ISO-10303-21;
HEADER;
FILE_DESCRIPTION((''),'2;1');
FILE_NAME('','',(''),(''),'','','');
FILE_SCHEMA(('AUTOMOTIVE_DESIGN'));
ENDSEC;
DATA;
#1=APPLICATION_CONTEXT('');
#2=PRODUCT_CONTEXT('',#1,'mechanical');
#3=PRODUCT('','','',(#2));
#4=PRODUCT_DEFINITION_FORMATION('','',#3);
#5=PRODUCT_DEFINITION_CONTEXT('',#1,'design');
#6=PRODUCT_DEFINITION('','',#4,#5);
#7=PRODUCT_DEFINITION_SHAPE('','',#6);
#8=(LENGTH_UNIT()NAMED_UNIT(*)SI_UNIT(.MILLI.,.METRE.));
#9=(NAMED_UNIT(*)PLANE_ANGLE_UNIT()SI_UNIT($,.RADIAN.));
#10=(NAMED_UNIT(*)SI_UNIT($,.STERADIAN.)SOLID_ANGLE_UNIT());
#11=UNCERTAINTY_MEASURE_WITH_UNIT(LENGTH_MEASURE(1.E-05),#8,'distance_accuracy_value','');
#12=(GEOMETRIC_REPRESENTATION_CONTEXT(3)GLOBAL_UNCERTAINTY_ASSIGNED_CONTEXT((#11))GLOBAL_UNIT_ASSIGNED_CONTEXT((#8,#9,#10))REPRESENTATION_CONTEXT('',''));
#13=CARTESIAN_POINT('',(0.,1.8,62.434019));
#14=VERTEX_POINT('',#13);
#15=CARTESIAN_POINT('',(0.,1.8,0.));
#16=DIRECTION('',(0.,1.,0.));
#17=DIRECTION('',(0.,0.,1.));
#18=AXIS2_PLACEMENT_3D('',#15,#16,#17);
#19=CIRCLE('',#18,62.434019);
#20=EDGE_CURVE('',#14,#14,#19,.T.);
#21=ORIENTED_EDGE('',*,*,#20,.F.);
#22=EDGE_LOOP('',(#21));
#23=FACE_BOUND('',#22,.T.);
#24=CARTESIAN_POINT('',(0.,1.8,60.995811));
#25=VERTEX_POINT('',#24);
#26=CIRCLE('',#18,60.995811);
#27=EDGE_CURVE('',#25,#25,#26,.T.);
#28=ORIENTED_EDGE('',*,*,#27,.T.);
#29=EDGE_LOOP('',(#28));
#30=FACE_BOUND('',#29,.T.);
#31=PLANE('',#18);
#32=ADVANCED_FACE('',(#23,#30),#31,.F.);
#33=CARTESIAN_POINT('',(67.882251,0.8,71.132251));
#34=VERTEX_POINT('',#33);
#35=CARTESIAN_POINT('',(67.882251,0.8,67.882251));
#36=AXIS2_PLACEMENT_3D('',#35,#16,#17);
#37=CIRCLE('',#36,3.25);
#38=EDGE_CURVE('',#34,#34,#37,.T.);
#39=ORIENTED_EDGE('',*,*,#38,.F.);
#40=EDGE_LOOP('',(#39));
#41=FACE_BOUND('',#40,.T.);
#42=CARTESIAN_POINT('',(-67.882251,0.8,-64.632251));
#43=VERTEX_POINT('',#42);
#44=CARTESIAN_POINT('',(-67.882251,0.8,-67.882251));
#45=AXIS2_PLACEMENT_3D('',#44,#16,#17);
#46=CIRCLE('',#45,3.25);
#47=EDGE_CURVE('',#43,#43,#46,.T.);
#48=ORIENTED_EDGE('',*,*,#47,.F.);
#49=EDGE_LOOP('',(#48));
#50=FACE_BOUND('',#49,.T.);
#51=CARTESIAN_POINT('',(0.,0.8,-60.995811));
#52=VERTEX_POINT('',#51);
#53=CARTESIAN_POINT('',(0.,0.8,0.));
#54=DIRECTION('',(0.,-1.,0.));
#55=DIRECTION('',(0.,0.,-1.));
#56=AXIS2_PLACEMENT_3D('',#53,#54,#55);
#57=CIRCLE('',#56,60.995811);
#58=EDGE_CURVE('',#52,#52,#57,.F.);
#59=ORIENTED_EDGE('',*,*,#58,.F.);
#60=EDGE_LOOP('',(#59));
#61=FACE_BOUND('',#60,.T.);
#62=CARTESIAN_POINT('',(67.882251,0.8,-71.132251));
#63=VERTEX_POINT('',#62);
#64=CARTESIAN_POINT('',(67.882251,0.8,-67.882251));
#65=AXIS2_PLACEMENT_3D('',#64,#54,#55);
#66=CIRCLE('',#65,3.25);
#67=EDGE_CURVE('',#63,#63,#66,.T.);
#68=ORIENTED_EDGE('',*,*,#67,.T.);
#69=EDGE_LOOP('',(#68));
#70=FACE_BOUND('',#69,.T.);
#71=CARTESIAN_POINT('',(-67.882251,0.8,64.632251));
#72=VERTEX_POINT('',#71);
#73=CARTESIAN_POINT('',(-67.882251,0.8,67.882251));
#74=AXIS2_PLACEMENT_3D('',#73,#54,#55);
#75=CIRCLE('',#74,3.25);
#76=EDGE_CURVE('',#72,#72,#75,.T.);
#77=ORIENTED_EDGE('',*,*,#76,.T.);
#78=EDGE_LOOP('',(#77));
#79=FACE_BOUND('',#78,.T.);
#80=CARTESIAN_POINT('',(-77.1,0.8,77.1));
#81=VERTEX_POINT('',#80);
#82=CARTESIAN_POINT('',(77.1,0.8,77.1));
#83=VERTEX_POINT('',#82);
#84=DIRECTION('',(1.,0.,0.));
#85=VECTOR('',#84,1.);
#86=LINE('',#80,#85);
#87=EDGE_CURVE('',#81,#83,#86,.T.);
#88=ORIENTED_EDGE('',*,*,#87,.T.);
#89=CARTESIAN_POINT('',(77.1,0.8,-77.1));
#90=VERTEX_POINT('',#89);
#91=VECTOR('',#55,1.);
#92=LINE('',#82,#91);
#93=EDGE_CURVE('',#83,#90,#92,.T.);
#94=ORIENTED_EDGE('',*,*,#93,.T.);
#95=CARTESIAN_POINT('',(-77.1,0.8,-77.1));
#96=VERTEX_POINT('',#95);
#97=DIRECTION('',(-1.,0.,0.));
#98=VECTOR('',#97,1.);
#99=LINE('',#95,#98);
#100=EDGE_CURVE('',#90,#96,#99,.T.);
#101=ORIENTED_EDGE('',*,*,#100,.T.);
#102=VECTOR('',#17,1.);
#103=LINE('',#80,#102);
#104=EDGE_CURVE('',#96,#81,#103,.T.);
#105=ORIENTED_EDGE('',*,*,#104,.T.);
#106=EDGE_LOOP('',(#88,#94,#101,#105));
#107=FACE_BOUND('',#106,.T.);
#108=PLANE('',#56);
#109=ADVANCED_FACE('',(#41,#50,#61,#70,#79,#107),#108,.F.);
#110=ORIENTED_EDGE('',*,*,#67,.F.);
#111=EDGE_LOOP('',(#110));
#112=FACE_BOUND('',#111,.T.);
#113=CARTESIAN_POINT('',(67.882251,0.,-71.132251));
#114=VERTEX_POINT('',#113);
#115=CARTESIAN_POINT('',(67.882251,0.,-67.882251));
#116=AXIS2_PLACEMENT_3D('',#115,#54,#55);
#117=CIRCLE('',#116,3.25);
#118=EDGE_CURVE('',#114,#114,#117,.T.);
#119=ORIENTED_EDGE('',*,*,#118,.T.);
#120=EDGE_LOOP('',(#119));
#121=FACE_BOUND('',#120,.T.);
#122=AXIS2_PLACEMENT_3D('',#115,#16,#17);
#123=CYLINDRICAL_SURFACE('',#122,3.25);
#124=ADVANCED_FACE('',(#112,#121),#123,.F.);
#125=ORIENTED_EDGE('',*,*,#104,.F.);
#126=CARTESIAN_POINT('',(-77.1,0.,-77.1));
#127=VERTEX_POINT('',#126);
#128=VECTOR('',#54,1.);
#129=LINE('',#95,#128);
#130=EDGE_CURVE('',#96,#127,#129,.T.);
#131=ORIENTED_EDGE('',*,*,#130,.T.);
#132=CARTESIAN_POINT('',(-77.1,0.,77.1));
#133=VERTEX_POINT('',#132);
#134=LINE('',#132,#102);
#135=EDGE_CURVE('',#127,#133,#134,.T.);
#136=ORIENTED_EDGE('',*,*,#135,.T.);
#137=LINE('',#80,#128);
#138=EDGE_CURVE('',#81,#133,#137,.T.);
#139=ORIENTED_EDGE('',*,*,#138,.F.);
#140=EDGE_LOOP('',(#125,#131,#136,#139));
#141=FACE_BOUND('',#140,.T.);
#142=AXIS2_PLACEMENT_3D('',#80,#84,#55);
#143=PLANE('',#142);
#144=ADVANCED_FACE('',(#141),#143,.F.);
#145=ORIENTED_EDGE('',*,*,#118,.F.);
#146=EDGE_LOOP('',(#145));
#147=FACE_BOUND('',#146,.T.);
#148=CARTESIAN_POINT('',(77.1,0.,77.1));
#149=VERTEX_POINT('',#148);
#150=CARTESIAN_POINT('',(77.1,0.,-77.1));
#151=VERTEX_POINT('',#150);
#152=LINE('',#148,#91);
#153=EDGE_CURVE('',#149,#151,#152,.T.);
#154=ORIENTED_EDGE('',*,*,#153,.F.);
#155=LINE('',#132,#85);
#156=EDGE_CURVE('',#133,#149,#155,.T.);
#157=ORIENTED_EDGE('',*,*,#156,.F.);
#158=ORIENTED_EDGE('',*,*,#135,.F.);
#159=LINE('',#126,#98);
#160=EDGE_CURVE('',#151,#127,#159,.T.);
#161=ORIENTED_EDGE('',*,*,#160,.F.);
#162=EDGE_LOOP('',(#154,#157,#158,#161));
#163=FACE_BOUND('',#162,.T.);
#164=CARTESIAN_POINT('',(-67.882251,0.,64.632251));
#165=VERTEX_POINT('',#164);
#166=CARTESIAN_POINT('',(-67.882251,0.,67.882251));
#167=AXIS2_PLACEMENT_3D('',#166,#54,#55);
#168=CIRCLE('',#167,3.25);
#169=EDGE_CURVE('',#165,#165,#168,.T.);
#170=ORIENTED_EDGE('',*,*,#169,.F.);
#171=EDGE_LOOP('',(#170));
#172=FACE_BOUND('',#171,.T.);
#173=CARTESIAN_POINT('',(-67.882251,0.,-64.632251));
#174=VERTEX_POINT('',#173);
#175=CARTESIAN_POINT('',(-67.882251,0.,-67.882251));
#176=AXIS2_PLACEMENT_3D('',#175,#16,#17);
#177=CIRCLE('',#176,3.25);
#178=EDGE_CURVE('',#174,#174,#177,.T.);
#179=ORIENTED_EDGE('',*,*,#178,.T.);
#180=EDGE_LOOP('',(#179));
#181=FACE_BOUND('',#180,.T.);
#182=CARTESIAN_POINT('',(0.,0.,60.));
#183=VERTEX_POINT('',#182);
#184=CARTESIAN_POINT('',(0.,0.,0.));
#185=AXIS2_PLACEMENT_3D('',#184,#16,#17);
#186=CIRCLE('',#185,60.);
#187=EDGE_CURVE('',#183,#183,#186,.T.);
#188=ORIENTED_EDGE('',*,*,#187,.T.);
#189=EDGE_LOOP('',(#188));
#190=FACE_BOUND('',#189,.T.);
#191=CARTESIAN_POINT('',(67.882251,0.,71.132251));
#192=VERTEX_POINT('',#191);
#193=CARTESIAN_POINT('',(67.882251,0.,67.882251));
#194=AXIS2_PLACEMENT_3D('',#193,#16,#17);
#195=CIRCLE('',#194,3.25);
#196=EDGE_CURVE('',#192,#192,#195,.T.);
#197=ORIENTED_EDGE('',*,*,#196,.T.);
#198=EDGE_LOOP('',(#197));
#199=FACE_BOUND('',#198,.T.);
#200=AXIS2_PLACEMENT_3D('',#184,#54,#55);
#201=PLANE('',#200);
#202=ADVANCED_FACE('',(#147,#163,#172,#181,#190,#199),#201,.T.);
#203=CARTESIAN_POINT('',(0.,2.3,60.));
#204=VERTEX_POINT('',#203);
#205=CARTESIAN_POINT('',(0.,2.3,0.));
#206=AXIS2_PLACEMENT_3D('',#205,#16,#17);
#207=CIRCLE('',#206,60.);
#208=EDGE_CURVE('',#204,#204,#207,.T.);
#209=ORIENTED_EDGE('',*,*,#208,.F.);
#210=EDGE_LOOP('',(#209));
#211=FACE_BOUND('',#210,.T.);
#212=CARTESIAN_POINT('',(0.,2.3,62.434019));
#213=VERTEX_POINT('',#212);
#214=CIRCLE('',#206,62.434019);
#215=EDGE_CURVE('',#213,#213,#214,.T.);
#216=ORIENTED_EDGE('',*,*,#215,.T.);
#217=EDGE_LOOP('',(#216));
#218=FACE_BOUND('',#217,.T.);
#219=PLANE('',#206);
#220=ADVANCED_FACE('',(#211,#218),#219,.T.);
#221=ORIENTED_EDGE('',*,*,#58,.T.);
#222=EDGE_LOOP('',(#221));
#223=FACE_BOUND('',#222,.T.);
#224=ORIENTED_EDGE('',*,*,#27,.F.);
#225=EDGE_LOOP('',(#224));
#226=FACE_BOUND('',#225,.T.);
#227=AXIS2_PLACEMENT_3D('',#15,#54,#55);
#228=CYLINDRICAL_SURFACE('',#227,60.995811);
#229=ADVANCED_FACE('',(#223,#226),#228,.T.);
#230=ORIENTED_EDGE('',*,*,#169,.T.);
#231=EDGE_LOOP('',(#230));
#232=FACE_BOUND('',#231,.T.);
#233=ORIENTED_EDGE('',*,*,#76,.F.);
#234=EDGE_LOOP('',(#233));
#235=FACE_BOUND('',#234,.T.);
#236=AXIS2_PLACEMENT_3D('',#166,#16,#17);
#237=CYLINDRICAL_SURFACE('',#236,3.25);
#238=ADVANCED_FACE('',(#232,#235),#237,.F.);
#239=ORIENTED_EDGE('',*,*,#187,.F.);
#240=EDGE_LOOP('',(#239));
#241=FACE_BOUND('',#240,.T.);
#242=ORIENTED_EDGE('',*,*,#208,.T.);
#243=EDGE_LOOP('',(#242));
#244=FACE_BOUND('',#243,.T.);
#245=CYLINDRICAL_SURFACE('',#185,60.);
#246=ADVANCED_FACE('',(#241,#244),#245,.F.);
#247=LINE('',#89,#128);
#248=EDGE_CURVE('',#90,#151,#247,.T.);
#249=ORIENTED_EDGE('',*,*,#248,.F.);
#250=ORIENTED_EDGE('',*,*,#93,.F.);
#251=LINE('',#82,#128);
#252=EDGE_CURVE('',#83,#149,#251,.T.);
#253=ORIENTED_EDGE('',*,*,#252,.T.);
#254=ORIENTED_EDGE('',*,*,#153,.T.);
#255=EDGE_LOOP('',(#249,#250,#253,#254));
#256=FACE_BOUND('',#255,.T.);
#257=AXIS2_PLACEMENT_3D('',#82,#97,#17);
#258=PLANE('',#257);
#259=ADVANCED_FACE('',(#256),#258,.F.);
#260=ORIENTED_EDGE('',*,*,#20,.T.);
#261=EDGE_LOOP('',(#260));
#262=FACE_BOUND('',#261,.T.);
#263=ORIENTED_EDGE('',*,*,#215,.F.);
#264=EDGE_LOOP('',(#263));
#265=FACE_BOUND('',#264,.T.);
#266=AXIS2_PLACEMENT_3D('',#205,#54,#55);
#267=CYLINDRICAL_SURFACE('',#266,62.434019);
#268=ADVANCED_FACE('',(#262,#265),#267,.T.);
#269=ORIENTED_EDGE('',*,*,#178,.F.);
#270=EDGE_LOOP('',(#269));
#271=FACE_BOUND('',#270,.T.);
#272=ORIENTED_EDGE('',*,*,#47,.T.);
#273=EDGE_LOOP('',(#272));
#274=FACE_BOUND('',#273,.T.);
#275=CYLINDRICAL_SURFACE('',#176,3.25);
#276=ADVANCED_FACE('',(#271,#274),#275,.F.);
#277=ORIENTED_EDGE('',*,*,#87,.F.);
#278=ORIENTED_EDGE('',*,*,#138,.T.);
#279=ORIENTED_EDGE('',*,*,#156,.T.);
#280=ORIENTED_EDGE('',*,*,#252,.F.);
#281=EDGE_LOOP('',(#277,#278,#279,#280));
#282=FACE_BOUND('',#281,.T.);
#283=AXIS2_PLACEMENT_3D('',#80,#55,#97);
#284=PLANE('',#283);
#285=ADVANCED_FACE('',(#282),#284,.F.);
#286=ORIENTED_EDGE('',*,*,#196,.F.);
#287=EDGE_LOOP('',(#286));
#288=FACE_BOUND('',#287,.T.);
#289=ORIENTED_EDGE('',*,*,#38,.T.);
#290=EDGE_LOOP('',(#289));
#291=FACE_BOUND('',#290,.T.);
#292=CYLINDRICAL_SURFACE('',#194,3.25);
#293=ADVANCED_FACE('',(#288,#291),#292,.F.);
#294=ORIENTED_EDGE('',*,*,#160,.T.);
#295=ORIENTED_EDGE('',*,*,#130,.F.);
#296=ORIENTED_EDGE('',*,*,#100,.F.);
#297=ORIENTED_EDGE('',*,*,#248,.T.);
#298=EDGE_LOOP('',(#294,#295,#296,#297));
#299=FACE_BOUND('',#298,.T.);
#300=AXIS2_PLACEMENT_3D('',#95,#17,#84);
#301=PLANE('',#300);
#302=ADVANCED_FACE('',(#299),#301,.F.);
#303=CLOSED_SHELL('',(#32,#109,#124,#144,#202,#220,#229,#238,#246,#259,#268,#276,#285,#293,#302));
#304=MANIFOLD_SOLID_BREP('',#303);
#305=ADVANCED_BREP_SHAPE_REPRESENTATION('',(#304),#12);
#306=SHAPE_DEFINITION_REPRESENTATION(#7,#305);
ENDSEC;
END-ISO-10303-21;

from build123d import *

# Parameters (mm, degrees)
CROQUIS1_W              = 154.2
CROQUIS1_H              = 154.2
SALIENTE_EXTRUIR1_DEPTH = 0.8
CROQUIS2_R              = 60
CORTAR_EXTRUIR1_DEPTH   = 110.038800434
SALIENTE_EXTRUIR2_START = 1
CROQUIS3_R              = 60.995810587
CROQUIS3_R_2            = 60
SALIENTE_EXTRUIR2_DEPTH = 1
SALIENTE_EXTRUIR3_START = 0.5
CROQUIS4_R              = 62.434019261
CROQUIS4_R_2            = 60
SALIENTE_EXTRUIR3_DEPTH = 0.5
CROQUIS5_R              = 3.25
CORTAR_EXTRUIR2_DEPTH   = 110.046182877


with BuildPart() as part:
    # Croquis1 → Saliente-Extruir1 (new body)
    with BuildSketch(Plane(origin=(0, 0, 0), x_dir=(1, 0, 0), z_dir=(0, 1, 0))):
        Rectangle(CROQUIS1_W, CROQUIS1_H)
    extrude(amount=SALIENTE_EXTRUIR1_DEPTH)

    # Croquis2 → Cortar-Extruir1 (cut, through all)
    with BuildSketch(Plane(origin=(0, 0.8, 0), x_dir=(1, 0, 0), z_dir=(0, 1, 0))):
        with Locations(Location((0, 0, 0), (0, 0, 270))):
            Circle(CROQUIS2_R)
    extrude(amount=-CORTAR_EXTRUIR1_DEPTH, mode=Mode.SUBTRACT)

    # Croquis3 → Saliente-Extruir2 (add)
    with BuildSketch(Plane(origin=(0, 0.8, 0), x_dir=(1, 0, 0), z_dir=(0, 1, 0)).offset(SALIENTE_EXTRUIR2_START)):
        with Locations(Location((0, 0, 0), (0, 0, 90))):
            Circle(CROQUIS3_R)
        with Locations(Location((0, 0, 0), (0, 0, 270))):
            Circle(CROQUIS3_R_2, mode=Mode.SUBTRACT)
    extrude(amount=-SALIENTE_EXTRUIR2_DEPTH)

    # Croquis4 → Saliente-Extruir3 (add)
    with BuildSketch(Plane(origin=(0, 1.8, 0), x_dir=(1, 0, 0), z_dir=(0, 1, 0)).offset(SALIENTE_EXTRUIR3_START)):
        with Locations(Location((0, 0, 0), (0, 0, 270))):
            Circle(CROQUIS4_R)
        with Locations(Location((0, 0, 0), (0, 0, 270))):
            Circle(CROQUIS4_R_2, mode=Mode.SUBTRACT)
    extrude(amount=-SALIENTE_EXTRUIR3_DEPTH)

    # Croquis5 → Cortar-Extruir2 (cut, through all)
    with BuildSketch(Plane(origin=(0, 0.8, 0), x_dir=(1, 0, 0), z_dir=(0, 1, 0))):
        with Locations(Location((-67.882250994, 67.882250994, 0), (0, 0, 270))):
            Circle(CROQUIS5_R)
        with Locations(Location((67.882250994, 67.882250994, 0), (0, 0, 90))):
            Circle(CROQUIS5_R)
        with Locations(Location((-67.882250994, -67.882250994, 0), (0, 0, 90))):
            Circle(CROQUIS5_R)
        with Locations(Location((67.882250994, -67.882250994, 0), (0, 0, 270))):
            Circle(CROQUIS5_R)
    extrude(amount=-CORTAR_EXTRUIR2_DEPTH, mode=Mode.SUBTRACT)


solid = part.part
